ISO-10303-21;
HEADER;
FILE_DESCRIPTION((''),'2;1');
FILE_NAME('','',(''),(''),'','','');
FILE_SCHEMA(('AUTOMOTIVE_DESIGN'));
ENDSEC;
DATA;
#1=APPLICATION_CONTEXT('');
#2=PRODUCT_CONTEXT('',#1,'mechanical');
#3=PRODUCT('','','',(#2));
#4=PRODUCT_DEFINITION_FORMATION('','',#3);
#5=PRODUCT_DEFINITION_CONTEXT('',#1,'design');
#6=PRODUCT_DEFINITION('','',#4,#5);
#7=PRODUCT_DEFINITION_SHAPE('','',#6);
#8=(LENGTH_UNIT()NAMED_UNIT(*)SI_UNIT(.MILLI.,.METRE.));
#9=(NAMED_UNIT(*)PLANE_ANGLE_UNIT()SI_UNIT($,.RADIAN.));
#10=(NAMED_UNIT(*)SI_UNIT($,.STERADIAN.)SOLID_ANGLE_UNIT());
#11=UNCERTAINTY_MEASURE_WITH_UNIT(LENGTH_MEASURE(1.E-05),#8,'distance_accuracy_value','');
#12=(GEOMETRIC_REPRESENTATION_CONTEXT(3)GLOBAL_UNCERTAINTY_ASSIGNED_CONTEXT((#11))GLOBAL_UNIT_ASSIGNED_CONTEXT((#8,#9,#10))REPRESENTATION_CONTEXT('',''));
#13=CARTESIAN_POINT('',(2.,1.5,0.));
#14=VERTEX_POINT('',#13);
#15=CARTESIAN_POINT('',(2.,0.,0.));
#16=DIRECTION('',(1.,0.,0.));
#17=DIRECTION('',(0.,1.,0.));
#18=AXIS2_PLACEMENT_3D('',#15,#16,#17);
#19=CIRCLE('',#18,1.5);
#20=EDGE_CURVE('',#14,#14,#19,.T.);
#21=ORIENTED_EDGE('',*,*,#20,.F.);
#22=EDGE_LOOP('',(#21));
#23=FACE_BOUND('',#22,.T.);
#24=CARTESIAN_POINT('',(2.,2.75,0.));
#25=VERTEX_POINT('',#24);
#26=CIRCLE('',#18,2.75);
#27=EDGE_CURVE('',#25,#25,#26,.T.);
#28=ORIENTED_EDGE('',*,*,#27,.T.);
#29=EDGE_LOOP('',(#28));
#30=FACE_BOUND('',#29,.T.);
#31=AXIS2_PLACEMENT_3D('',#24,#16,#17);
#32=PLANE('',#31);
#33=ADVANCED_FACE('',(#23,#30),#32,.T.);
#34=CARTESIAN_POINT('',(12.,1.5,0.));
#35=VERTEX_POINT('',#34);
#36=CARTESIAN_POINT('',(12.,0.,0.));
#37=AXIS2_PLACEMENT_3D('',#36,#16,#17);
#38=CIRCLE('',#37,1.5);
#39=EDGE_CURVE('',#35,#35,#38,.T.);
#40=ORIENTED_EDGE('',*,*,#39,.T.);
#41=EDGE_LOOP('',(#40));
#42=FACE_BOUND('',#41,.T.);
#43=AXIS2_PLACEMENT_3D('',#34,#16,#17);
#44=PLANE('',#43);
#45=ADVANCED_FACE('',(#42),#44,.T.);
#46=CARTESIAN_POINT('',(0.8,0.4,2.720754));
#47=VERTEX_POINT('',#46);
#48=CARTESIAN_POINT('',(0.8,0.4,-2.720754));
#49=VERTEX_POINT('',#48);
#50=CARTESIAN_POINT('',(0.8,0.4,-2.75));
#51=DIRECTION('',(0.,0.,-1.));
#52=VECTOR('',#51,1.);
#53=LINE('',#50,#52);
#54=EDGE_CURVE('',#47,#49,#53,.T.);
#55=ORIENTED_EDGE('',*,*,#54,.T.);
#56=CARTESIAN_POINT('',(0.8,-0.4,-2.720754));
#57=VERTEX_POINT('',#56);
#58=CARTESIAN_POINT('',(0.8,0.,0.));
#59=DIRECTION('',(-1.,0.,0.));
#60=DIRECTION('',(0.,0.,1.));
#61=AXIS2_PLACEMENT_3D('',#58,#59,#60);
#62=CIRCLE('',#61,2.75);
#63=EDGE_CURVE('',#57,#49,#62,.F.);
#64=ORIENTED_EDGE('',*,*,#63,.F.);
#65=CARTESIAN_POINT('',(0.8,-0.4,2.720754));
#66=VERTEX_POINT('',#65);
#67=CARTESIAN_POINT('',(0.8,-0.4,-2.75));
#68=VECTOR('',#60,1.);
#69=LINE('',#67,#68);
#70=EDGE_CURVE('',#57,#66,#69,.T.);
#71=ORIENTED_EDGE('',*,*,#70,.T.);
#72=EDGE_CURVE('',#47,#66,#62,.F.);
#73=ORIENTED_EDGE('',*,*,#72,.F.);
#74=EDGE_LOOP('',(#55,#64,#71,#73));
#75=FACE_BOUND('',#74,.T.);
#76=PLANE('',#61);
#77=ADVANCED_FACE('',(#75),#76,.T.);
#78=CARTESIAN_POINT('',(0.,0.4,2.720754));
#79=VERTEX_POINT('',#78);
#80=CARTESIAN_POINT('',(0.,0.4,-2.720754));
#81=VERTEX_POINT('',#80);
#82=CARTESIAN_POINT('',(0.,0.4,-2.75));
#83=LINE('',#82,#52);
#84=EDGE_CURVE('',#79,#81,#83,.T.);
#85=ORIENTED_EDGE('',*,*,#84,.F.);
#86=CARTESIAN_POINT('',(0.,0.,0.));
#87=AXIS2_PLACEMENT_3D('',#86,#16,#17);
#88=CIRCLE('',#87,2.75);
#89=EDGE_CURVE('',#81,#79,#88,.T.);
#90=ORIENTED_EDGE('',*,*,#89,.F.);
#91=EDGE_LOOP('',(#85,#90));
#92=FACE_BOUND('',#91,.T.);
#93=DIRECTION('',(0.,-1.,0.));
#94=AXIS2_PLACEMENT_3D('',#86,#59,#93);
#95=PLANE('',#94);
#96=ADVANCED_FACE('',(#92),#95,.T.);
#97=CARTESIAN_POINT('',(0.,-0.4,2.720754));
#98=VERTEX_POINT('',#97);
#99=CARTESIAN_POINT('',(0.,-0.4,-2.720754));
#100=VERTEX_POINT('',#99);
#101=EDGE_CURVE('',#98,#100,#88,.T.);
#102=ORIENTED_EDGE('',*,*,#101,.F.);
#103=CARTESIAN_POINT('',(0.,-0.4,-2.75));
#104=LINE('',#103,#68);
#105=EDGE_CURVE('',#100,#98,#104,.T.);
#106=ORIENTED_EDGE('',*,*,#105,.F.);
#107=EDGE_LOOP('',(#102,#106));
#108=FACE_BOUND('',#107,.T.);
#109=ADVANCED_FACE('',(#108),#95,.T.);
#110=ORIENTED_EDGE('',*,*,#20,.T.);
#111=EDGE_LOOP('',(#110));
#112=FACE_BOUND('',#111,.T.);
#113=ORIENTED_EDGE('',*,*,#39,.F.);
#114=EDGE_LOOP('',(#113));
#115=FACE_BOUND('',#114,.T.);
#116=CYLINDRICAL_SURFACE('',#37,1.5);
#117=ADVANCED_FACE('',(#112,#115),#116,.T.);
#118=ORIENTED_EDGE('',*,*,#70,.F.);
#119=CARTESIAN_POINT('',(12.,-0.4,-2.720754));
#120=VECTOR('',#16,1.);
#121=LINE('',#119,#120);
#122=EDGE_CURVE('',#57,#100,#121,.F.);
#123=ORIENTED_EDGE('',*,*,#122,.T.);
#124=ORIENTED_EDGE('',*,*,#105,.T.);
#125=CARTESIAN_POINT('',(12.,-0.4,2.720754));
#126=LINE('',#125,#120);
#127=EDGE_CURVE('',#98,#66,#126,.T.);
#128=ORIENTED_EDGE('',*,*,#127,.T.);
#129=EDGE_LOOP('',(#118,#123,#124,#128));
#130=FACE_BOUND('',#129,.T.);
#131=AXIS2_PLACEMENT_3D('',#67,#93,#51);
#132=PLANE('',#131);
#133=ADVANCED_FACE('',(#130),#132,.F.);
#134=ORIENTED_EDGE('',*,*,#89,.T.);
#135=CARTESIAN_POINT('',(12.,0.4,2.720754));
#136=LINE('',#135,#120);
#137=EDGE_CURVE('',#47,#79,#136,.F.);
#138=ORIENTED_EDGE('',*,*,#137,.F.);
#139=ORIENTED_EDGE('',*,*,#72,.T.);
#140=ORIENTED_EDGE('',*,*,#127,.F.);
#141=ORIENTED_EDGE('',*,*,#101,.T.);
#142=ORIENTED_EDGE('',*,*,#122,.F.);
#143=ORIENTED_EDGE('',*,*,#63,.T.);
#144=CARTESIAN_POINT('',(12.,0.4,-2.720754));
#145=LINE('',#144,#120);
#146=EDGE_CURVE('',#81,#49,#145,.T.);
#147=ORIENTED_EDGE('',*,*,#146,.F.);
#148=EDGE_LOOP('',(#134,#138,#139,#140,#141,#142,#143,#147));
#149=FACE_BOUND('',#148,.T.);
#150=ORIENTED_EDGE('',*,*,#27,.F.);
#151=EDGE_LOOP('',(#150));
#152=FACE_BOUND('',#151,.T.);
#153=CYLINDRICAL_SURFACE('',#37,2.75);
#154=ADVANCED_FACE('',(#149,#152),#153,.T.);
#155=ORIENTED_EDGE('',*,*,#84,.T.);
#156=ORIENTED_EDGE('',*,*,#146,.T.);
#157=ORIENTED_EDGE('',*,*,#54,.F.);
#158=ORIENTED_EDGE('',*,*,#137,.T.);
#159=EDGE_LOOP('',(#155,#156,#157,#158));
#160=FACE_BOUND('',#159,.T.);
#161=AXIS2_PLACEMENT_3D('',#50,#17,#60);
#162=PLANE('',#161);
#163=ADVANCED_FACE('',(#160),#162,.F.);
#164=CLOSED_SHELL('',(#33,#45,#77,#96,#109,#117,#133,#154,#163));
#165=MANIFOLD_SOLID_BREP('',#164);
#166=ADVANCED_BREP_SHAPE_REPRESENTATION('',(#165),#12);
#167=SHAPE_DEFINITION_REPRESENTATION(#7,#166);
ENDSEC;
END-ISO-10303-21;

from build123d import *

# Parameters (mm, degrees)
SKETCH2_W          = 5.5
SKETCH2_H          = 0.8
CUT_EXTRUDE1_DEPTH = 0.8


with BuildPart() as part:
    # Sketch1 → Revolve1 (revolve)
    with BuildSketch(Plane.XY):
        Polygon((0, 0), (0, 2.75), (2, 2.75), (2, 1.5), (12, 1.5), (12, 0), align=None)
    revolve(axis=Axis((12, 0, 0), (-1, 0, 0)))

    # Sketch2 → Cut-Extrude1 (cut)
    with BuildSketch(Plane.ZY):
        Rectangle(SKETCH2_W, SKETCH2_H)
    extrude(amount=-CUT_EXTRUDE1_DEPTH, mode=Mode.SUBTRACT)


solid = part.part
